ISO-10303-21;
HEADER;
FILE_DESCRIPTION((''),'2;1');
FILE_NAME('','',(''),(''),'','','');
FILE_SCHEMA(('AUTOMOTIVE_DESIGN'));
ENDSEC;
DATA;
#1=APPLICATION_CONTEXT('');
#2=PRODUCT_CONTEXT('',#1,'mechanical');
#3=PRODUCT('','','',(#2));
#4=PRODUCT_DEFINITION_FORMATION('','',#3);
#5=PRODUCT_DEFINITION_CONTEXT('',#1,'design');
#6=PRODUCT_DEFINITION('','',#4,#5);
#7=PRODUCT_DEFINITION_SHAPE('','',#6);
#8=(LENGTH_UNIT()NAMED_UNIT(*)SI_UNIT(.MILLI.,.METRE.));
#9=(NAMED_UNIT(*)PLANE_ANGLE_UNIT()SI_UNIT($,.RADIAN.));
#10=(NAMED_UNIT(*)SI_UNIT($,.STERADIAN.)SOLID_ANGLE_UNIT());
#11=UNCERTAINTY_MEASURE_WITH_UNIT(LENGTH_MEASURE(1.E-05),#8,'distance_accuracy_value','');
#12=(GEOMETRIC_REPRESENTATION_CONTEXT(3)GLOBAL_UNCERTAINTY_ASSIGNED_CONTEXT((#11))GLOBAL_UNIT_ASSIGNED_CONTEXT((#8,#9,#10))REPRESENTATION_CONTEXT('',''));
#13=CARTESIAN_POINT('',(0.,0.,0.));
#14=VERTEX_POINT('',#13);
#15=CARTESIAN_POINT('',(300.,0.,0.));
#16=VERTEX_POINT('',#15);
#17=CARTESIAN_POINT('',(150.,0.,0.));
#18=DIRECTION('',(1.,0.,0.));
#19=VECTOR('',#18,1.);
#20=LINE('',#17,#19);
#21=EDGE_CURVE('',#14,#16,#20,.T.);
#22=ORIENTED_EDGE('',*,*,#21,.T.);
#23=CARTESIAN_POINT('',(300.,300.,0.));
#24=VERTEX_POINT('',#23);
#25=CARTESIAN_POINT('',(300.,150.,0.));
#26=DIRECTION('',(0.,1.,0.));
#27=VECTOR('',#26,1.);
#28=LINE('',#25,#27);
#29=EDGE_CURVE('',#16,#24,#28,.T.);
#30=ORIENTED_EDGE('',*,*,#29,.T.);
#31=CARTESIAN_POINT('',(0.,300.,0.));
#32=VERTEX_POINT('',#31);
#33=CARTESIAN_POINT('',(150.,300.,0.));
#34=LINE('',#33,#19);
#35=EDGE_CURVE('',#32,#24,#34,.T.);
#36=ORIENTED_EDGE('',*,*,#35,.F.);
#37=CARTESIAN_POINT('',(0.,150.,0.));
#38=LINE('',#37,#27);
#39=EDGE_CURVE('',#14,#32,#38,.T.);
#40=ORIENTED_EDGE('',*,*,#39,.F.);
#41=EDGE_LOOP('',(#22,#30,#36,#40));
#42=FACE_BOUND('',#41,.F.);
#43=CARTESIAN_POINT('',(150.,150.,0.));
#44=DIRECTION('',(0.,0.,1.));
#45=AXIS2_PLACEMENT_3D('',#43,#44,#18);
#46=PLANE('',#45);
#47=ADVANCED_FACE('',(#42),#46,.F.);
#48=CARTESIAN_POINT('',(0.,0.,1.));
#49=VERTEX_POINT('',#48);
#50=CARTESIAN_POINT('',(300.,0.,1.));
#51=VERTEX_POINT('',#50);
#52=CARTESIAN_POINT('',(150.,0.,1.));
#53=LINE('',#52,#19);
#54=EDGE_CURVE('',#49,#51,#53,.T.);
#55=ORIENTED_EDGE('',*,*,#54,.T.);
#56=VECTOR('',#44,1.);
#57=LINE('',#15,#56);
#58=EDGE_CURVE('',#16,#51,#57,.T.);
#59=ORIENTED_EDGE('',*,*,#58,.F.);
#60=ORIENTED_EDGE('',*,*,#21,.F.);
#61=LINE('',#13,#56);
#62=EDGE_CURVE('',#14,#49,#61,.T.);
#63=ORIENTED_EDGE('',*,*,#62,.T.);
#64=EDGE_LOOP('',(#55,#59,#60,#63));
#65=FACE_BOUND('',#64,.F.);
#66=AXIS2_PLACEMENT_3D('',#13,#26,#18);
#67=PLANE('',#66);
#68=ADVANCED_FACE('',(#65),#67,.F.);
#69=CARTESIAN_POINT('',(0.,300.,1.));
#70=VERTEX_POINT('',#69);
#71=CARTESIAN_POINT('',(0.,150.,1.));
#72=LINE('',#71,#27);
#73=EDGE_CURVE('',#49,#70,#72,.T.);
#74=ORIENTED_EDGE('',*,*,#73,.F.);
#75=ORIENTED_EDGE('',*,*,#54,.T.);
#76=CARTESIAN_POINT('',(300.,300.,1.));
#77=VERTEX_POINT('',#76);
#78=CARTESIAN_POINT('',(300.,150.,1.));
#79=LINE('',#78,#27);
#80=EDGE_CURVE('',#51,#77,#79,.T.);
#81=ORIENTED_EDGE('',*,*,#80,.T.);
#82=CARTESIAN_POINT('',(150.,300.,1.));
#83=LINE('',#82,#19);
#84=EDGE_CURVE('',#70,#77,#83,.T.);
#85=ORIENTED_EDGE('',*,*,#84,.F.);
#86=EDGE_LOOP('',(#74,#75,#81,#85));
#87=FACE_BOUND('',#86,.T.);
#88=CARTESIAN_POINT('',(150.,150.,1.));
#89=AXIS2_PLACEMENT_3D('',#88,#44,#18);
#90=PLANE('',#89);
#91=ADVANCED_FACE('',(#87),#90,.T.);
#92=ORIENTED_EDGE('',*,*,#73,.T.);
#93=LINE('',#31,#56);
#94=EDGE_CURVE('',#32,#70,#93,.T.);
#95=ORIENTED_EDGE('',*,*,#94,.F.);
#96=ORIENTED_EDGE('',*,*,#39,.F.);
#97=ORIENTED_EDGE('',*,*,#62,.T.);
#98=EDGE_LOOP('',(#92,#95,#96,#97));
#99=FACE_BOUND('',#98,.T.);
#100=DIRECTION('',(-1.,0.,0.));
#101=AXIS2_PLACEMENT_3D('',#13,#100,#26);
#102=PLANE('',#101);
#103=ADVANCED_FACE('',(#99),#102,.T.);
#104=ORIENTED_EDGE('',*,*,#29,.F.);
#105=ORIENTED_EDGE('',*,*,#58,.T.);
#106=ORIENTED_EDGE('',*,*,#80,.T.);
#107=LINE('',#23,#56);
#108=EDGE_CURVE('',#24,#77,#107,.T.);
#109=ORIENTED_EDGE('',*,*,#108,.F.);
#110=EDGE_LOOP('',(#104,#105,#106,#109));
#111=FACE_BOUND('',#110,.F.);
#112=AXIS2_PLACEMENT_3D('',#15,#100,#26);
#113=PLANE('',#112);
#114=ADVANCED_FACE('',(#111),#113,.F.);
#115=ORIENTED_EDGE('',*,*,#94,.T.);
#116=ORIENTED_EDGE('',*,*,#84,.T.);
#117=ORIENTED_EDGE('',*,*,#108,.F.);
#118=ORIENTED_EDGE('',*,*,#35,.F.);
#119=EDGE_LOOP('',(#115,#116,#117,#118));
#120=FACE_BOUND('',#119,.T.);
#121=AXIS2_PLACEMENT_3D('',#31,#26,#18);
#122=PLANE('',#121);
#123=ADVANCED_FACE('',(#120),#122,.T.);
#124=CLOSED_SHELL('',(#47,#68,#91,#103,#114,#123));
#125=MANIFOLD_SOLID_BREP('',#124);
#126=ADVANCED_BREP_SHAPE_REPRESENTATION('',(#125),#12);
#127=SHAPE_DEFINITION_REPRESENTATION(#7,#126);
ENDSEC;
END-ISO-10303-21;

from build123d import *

# Parameters (mm, degrees)
SKETCH_1_W      = 300
SKETCH_1_H      = 300
EXTRUDE_1_DEPTH = 1


with BuildPart() as part:
    # 草图1 → 凸台-拉伸1 (new body)
    with BuildSketch(Plane.XY):
        with Locations((150, 150)):
            Rectangle(SKETCH_1_W, SKETCH_1_H)
    extrude(amount=EXTRUDE_1_DEPTH)


solid = part.part
